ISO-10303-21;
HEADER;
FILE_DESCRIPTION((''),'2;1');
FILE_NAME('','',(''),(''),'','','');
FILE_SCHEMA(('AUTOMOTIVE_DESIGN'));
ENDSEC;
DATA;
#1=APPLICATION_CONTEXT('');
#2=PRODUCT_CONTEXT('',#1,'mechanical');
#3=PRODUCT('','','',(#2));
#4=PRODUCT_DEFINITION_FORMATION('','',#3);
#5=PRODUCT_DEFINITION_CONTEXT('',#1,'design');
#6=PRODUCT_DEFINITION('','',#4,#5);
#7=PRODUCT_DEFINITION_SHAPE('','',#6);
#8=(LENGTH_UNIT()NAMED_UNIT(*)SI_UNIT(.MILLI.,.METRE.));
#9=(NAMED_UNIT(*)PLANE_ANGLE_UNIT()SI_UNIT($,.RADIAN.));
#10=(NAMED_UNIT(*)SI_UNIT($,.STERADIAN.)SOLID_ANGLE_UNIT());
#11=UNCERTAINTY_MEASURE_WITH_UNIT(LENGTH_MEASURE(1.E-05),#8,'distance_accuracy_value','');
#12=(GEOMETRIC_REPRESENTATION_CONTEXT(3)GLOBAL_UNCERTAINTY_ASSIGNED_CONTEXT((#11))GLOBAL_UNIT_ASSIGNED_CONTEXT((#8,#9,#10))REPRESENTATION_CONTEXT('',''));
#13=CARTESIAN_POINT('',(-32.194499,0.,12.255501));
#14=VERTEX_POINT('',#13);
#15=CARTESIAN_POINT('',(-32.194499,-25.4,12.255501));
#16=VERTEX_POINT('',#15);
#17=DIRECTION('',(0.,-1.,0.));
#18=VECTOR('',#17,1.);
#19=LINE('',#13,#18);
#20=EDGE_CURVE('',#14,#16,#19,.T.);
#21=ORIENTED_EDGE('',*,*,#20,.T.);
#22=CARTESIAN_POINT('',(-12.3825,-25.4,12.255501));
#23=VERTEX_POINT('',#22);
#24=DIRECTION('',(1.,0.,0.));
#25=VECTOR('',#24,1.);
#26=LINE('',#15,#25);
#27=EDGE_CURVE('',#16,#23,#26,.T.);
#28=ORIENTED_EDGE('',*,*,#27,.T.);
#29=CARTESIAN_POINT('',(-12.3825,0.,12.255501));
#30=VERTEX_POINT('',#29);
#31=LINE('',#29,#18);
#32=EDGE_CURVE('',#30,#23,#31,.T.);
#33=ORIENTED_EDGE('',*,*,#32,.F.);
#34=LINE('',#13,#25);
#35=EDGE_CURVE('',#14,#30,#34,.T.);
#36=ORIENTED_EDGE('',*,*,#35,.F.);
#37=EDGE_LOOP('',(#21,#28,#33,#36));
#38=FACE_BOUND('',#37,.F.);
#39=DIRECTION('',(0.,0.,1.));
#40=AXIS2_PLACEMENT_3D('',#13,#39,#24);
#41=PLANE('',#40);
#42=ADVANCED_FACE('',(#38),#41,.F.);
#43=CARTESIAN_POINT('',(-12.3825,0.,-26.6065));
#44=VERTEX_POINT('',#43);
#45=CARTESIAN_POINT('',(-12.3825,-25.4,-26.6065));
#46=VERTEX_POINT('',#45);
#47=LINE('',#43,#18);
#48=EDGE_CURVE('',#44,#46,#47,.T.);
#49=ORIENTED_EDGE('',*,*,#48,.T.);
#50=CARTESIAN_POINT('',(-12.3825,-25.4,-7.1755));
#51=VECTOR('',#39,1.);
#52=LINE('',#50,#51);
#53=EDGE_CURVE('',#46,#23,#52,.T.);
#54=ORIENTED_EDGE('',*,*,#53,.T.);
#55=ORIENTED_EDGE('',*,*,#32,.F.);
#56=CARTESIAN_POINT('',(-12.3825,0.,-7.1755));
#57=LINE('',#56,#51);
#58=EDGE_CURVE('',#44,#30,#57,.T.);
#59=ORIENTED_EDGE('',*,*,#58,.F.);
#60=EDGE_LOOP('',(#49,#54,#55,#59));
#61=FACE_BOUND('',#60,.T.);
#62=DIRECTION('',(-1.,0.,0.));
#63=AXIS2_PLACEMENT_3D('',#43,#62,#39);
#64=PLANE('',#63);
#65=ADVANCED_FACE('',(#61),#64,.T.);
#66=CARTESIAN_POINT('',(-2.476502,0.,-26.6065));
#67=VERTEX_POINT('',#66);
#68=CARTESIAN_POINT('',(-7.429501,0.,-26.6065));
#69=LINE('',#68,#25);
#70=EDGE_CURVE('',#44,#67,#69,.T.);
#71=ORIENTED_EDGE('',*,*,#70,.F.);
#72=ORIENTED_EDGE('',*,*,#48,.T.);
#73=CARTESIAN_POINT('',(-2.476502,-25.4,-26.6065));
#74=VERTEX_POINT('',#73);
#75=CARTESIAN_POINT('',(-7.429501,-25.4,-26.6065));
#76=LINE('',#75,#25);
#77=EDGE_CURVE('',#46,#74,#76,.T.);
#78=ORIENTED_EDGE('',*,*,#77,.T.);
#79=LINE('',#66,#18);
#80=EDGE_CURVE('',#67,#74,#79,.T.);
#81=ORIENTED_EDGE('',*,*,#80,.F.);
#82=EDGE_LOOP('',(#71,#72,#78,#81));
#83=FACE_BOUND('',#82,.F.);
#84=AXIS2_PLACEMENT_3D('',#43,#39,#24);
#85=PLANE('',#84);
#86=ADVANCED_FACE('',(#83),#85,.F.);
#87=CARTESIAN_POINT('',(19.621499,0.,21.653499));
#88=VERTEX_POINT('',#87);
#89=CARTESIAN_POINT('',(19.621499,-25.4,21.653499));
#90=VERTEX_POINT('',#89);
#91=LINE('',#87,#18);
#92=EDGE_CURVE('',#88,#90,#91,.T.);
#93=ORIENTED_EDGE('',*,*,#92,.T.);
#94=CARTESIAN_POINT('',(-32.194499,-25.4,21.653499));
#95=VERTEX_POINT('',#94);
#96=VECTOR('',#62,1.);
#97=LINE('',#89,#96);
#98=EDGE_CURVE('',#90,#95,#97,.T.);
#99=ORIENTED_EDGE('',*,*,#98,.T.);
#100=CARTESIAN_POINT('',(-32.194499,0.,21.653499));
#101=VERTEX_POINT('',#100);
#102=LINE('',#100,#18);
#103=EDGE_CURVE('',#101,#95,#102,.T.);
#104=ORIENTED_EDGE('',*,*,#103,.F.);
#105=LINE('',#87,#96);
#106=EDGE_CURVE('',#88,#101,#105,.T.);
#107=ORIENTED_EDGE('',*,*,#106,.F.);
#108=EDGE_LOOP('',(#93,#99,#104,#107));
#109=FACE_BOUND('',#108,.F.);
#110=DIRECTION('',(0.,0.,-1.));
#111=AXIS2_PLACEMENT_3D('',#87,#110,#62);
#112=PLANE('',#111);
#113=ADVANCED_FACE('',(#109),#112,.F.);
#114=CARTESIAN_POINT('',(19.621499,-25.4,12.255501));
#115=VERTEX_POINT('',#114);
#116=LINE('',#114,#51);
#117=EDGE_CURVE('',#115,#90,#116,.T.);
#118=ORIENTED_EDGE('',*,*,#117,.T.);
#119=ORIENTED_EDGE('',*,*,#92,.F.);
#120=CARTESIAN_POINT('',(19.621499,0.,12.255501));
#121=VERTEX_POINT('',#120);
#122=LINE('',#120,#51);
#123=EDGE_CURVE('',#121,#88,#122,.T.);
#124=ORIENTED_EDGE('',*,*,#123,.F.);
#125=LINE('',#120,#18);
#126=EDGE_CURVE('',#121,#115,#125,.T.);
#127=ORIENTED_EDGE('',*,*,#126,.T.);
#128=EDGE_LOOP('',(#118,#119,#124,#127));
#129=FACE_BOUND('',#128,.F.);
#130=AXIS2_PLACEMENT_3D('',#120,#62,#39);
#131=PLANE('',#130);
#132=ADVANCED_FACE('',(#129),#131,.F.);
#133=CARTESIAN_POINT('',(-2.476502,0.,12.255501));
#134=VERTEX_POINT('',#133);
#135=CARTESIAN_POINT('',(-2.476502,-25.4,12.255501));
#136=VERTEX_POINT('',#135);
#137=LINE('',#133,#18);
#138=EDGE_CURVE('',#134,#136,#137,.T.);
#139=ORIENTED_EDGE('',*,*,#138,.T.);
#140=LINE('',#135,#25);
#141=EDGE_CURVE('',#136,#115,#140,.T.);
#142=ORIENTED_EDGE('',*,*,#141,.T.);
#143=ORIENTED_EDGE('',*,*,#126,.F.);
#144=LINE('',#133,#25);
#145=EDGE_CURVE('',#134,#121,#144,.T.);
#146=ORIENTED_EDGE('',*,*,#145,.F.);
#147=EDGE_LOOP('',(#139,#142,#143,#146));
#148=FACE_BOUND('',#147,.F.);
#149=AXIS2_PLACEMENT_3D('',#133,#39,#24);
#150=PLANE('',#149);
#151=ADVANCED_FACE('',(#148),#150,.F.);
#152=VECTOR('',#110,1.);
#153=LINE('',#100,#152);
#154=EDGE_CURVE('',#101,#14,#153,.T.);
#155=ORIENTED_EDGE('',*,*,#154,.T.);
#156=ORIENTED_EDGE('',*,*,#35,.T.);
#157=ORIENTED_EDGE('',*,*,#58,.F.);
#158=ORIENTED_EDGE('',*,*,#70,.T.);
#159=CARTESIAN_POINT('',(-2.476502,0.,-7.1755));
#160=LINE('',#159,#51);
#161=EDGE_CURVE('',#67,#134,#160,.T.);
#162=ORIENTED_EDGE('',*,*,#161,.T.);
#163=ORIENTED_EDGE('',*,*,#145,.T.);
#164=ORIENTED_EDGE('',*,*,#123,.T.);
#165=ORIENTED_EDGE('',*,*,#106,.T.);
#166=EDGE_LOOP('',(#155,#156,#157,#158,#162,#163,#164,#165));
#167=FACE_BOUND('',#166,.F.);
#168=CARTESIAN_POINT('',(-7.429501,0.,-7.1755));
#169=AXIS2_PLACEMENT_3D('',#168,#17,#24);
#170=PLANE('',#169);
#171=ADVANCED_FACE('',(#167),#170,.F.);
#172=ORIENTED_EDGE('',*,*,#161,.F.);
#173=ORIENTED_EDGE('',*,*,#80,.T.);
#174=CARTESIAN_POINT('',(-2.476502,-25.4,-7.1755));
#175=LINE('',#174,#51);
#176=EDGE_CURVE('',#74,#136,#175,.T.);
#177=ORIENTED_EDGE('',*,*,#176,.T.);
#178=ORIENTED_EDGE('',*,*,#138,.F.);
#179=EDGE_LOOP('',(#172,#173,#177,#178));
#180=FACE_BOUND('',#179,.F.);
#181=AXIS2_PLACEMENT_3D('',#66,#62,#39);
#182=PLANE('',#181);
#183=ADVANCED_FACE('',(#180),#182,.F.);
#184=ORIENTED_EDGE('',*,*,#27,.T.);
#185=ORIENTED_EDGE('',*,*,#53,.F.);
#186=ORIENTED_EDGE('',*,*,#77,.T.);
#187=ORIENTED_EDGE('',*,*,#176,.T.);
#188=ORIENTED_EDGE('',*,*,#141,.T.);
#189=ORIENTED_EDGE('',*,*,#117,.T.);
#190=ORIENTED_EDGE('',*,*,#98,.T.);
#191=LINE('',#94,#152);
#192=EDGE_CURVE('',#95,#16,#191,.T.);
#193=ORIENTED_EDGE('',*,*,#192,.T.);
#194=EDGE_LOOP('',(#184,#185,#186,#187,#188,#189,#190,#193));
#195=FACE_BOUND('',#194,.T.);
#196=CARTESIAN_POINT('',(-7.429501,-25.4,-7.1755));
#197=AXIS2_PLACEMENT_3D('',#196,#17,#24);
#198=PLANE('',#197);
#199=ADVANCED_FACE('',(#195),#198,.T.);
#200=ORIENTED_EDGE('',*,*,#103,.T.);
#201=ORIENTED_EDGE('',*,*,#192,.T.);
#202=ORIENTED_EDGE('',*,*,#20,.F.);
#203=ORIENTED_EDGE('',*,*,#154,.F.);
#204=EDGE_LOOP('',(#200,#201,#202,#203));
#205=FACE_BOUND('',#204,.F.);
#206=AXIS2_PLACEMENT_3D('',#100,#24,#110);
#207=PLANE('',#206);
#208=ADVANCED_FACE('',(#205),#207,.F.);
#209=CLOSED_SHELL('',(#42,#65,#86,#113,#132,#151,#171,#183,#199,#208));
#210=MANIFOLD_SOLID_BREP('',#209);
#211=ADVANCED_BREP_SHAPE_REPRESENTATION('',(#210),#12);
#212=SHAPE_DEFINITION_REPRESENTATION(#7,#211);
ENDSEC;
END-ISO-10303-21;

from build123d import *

# Parameters (mm, degrees)
F0_W     = 9.9059981294
F0_H     = 38.8620011508
F1_DEPTH = 25.4


with BuildPart() as f1:
    # F0 (on Front) → F1 (new body)
    with BuildSketch(Plane.XZ):
        with Locations((-7.4295008089, -7.1754995733)):
            Rectangle(F0_W, F0_H)
        Polygon((-32.1944989264, 12.2555010021), (-12.3824998736, 12.2555010021), (-2.4765017442, 12.2555010021), (19.6214988828, 12.2555010021), (19.6214988828, 21.6534994543), (-32.1944989264, 21.6534994543), align=None)
    extrude(amount=F1_DEPTH)


solid = f1.part
